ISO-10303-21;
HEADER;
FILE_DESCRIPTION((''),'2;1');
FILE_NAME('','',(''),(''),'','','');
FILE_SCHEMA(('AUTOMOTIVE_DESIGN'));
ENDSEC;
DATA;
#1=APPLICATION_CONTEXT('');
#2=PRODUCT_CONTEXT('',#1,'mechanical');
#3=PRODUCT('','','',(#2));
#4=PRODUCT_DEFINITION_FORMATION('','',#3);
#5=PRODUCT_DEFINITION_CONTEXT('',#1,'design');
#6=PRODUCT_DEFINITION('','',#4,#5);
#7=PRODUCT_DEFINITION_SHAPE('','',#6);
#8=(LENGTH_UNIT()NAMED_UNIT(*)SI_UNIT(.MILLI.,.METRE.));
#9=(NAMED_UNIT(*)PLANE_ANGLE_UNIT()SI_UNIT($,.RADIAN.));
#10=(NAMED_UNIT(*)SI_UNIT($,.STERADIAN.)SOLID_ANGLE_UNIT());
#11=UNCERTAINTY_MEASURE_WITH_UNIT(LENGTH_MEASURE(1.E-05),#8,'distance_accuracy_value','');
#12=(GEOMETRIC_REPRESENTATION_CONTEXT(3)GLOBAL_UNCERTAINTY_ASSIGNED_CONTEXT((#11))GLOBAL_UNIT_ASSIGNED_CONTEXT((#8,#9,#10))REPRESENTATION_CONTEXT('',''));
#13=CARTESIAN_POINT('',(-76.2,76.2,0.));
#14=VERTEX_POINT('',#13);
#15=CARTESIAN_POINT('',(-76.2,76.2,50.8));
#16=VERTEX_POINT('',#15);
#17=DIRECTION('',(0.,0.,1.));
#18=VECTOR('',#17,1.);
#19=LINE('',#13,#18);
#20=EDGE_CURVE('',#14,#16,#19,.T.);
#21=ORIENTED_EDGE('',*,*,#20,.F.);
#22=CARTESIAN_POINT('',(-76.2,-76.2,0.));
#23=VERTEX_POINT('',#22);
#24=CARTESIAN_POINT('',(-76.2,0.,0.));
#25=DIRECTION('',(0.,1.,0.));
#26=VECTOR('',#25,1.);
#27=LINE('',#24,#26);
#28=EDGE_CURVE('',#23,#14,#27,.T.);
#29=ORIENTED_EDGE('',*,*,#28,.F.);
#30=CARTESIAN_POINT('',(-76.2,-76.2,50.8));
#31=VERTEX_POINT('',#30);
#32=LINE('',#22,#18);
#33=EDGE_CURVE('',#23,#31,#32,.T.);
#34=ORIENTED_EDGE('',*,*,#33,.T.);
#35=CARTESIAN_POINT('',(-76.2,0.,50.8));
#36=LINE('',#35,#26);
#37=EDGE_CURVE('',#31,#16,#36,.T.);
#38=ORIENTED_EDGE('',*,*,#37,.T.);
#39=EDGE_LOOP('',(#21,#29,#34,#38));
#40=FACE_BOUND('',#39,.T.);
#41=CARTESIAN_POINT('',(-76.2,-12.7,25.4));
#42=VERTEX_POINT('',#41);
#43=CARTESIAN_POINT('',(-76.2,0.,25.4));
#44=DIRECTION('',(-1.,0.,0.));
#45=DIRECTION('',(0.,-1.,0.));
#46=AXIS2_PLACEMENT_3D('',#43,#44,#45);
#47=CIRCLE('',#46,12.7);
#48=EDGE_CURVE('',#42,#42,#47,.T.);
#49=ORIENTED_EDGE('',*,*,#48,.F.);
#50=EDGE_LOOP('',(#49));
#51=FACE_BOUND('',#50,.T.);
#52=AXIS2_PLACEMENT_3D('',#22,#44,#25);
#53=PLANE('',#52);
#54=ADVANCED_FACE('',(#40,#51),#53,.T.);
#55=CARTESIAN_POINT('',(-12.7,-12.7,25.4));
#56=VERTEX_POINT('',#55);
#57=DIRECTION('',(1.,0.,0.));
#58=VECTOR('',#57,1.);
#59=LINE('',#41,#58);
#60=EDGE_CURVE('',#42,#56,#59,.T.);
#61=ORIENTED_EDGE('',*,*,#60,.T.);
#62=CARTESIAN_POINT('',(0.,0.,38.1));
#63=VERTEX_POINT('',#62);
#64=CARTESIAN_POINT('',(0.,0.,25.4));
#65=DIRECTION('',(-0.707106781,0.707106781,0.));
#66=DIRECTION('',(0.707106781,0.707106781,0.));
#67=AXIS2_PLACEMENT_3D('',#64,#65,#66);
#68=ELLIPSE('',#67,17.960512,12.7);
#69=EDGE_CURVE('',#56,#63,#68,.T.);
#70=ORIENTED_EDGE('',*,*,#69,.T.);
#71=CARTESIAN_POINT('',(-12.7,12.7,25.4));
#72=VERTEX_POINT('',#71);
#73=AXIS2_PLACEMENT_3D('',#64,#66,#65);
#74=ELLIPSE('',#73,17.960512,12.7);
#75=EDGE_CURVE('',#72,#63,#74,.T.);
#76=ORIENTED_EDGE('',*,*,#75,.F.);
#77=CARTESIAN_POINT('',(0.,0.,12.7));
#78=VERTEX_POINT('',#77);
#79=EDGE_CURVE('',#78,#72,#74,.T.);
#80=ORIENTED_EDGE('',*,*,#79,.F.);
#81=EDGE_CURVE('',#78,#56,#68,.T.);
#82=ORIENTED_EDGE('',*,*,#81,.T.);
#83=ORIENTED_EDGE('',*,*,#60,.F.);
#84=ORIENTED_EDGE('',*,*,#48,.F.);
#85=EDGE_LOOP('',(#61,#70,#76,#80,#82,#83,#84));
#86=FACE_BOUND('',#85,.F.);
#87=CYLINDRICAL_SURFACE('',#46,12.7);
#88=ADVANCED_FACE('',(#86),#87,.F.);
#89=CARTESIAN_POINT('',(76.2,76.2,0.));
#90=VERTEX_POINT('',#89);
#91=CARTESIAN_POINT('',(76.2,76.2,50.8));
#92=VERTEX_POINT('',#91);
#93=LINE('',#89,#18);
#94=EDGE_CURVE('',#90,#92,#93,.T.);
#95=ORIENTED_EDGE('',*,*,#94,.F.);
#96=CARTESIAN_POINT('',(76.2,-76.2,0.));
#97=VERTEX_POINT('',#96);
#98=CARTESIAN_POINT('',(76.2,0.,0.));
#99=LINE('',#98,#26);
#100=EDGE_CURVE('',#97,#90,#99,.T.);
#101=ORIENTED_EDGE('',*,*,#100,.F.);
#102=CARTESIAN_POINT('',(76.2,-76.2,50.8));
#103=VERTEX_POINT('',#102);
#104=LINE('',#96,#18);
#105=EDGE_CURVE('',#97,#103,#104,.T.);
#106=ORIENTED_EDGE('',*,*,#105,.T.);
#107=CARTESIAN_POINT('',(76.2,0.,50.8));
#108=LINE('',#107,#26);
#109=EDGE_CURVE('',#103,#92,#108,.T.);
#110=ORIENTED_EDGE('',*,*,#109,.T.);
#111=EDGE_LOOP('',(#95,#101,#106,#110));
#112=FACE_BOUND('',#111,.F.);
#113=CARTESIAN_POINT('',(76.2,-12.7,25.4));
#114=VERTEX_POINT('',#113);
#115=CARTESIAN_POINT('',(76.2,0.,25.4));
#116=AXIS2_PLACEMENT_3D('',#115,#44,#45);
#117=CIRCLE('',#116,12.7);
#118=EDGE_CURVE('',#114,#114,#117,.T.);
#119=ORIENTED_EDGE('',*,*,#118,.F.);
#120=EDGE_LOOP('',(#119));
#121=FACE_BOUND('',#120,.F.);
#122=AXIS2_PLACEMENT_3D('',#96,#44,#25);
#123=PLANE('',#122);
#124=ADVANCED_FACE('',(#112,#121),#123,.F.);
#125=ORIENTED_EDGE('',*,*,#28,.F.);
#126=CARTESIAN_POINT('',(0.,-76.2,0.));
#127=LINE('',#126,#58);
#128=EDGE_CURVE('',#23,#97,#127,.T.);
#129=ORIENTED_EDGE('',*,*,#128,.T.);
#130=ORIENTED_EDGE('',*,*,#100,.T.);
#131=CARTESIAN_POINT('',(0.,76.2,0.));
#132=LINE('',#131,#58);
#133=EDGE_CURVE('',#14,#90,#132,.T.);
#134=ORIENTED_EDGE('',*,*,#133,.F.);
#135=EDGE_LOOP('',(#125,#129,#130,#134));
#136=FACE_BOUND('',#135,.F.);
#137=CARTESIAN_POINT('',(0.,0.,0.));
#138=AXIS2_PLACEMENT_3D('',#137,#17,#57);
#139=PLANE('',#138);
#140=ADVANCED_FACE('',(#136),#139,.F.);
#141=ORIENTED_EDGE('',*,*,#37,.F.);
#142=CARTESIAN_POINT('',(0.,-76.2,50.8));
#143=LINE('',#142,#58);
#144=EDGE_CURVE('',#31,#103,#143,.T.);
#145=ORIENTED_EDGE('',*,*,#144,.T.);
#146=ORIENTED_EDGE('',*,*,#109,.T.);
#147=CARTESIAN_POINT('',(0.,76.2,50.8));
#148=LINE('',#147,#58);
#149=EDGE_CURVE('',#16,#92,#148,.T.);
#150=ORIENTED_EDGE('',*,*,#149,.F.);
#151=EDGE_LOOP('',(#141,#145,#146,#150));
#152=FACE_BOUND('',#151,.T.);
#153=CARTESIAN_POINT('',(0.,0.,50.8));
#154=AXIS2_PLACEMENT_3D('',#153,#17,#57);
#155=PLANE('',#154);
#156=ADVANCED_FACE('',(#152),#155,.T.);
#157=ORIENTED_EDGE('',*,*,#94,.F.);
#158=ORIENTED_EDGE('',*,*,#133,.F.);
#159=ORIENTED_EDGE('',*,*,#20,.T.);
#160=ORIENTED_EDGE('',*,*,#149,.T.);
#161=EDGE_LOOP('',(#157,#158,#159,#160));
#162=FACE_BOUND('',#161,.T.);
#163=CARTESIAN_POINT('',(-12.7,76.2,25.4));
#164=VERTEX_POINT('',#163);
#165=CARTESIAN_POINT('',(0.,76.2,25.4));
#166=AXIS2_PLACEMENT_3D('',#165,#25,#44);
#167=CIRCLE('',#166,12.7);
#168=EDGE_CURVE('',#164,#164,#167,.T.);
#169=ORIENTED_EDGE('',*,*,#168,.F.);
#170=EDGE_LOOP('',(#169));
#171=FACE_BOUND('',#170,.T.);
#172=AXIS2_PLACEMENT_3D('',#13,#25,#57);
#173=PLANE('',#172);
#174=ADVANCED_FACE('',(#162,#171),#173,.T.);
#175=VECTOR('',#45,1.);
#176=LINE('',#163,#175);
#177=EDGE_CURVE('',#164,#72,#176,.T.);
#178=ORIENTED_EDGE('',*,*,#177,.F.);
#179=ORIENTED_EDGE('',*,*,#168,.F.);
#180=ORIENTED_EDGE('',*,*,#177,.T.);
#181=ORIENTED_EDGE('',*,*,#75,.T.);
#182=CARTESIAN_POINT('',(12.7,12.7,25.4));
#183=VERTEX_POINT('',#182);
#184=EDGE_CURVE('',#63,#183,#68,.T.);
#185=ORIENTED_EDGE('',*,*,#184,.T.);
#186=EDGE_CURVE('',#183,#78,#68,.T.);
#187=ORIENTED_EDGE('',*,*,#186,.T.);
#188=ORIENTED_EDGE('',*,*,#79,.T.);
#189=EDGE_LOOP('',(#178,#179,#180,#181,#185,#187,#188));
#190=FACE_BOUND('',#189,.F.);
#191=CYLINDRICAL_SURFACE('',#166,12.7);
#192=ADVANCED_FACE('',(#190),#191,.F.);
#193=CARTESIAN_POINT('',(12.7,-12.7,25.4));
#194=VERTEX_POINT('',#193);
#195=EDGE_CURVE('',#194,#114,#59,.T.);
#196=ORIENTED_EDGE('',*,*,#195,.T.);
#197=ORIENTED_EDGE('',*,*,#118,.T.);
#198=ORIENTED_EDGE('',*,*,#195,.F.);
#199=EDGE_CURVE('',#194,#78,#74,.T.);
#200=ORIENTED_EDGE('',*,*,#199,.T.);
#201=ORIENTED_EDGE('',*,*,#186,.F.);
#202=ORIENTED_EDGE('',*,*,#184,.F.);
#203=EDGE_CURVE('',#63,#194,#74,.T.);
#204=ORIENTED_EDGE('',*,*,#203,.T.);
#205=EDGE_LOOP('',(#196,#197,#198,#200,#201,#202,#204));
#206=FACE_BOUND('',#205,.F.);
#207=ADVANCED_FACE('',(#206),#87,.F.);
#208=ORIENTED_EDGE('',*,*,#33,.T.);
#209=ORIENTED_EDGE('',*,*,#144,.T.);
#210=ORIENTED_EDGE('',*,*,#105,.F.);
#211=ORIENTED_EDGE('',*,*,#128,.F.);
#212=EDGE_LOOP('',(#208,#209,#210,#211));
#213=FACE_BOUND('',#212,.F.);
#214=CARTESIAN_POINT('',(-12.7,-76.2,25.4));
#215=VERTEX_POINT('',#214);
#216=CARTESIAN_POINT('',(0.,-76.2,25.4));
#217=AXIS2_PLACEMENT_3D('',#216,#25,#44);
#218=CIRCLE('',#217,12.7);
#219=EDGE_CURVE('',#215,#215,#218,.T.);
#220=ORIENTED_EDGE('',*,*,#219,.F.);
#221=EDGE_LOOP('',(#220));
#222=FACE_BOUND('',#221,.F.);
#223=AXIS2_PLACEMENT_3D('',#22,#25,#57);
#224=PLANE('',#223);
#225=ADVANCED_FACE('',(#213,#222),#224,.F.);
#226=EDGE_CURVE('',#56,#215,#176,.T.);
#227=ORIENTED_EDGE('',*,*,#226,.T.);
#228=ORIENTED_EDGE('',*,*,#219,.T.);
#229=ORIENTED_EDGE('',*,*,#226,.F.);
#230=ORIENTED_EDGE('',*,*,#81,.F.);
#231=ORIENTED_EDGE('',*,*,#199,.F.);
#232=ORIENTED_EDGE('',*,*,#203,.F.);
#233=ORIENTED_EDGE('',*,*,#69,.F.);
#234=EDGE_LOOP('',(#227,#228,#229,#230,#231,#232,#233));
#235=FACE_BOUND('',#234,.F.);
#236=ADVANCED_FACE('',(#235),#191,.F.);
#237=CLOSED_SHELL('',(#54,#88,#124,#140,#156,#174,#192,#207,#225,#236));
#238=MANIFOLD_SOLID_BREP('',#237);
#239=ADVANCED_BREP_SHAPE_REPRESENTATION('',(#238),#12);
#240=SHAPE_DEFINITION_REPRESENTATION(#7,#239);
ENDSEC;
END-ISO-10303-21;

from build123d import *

# Parameters (mm, degrees)
F0_W     = 152.4
F0_H     = 152.4
F1_DEPTH = 50.8
F3_R     = 12.7
F4_DEPTH = 152.4
F2_R     = 12.7
F5_DEPTH = 152.4


with BuildPart() as f1:
    # F0 (on Top) → F1 (new body)
    with BuildSketch(Plane.XY):
        Rectangle(F0_W, F0_H)
    extrude(amount=F1_DEPTH)

    # F3 (on face) → F4 (cut)
    with BuildSketch(Plane(origin=(0, 76.2, 0), x_dir=(-1, 0, 0), z_dir=(0, 1, 0))):
        with Locations((0, 25.4)):
            Circle(F3_R)
    extrude(amount=-F4_DEPTH, mode=Mode.SUBTRACT)

    # F2 (on face) → F5 (cut)
    with BuildSketch(Plane(origin=(-76.2, 0, 0), x_dir=(0, -1, 0), z_dir=(-1, 0, 0))):
        with Locations((0, 25.4)):
            Circle(F2_R)
    extrude(amount=-F5_DEPTH, mode=Mode.SUBTRACT)


solid = f1.part
